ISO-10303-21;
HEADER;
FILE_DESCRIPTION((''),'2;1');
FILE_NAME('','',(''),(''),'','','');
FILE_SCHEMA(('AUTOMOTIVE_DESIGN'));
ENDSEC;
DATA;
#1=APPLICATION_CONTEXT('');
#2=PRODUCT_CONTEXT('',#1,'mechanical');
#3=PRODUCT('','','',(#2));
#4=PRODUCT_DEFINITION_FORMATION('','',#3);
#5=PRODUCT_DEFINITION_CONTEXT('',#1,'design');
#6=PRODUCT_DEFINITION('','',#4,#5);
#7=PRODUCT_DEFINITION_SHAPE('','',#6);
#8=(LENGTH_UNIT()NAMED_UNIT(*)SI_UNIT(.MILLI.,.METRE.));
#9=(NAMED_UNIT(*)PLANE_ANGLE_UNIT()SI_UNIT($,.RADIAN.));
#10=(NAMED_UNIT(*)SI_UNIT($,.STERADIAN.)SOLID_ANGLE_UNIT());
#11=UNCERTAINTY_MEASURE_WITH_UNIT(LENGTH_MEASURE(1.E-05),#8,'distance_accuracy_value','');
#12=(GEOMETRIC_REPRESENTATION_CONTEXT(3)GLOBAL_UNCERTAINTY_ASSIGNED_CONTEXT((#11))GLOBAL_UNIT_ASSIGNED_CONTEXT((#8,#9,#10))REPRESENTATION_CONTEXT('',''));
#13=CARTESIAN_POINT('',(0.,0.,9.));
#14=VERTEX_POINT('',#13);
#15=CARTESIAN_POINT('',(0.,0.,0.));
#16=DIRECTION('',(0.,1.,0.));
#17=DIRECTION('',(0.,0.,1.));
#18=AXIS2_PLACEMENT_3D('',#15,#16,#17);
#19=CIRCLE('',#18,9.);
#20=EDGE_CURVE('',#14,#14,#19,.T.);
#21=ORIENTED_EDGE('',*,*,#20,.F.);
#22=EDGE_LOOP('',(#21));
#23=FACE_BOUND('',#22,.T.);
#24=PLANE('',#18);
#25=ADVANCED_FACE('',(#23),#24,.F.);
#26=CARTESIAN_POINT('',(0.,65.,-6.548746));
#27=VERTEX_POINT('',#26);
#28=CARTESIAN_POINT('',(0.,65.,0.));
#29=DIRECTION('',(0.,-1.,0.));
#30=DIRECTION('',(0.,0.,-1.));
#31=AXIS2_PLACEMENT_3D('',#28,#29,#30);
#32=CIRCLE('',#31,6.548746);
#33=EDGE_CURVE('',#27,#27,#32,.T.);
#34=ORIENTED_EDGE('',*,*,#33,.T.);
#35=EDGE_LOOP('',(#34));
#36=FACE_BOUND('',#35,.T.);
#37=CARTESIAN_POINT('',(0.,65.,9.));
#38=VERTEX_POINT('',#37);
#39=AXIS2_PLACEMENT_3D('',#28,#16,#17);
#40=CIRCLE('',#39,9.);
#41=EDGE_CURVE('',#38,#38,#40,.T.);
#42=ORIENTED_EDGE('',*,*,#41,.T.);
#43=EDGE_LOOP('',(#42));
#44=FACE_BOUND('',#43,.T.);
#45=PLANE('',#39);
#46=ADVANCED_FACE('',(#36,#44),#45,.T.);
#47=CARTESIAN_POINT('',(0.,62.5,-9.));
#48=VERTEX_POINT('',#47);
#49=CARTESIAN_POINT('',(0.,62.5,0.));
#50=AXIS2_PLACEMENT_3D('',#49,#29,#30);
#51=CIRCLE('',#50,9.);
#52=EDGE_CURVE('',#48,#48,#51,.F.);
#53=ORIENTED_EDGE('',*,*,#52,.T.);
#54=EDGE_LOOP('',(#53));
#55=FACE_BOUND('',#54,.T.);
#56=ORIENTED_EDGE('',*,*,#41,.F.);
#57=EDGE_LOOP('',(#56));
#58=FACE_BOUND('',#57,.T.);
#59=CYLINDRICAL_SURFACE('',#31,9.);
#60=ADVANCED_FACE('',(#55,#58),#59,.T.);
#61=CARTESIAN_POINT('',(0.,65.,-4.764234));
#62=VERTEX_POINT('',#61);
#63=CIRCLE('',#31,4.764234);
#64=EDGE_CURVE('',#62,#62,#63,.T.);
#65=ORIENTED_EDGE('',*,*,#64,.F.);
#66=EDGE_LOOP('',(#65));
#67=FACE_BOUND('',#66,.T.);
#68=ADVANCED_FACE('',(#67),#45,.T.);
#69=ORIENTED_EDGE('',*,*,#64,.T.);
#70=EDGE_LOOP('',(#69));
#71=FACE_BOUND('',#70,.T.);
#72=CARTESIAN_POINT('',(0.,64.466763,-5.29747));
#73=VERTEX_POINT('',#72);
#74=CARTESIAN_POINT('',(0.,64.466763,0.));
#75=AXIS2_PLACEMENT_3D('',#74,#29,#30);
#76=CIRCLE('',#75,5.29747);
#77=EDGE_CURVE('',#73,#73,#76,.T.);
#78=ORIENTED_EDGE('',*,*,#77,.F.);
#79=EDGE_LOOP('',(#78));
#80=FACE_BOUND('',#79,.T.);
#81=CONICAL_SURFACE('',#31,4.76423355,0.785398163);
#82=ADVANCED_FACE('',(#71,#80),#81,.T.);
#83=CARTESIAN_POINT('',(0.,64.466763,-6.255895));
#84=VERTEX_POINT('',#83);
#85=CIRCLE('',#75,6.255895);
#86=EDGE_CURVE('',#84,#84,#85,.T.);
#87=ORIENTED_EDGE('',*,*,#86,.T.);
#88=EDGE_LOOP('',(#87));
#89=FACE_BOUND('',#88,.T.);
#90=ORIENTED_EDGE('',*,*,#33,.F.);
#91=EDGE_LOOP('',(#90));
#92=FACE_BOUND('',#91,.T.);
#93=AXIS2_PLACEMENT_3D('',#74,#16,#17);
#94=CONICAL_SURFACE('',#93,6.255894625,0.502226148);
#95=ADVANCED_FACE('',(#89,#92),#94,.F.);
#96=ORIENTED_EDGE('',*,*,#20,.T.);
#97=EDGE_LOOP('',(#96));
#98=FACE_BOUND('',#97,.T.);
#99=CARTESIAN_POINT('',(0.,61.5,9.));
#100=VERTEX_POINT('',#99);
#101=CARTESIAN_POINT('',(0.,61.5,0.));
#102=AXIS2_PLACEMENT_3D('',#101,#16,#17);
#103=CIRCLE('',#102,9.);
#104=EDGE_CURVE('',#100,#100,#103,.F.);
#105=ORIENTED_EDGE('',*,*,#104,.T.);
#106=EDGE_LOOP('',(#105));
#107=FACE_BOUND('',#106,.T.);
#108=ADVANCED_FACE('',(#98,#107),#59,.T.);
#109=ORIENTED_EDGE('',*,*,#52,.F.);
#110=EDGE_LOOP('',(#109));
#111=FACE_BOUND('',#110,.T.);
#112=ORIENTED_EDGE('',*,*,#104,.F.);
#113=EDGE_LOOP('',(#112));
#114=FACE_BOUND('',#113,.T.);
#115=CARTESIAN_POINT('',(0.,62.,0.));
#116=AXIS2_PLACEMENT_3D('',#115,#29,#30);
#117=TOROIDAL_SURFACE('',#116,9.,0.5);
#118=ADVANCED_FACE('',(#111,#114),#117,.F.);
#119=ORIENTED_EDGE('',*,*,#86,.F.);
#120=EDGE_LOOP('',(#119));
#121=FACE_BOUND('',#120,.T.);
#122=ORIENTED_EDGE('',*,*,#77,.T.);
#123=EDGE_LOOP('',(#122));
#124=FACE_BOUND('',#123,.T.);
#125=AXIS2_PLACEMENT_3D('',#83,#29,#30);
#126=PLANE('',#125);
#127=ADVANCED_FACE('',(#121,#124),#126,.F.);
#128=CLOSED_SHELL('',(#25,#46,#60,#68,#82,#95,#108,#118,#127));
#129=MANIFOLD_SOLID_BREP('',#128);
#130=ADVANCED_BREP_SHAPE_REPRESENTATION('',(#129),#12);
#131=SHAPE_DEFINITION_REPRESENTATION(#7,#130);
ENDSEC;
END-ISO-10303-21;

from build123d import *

# Parameters (mm, degrees)
SKETCH1_R           = 9
BOSS_EXTRUDE1_DEPTH = 65
SKETCH2_R           = 0.5


with BuildPart() as part:
    # Sketch1 → Boss-Extrude1 (new body)
    with BuildSketch(Plane(origin=(0, 0, 0), x_dir=(1, 0, 0), z_dir=(0, 1, 0))):
        with Locations(Location((0, 0, 0), (0, 0, 270))):
            Circle(SKETCH1_R)
    extrude(amount=BOSS_EXTRUDE1_DEPTH)

    # Sketch2 → Cut-Revolve1 (revolve, cut)
    with BuildSketch(Plane(origin=(0, 0, 0), x_dir=(0, 0, -1), z_dir=(1, 0, 0))):
        with Locations((9, 62)):
            Circle(SKETCH2_R)
        Polygon((6.548746469, 65), (6.255894625, 64.46676314), (5.297470411, 64.46676314), (4.76423355, 65), align=None)
    revolve(axis=Axis((0, 0, 0), (0, 1, 0)), mode=Mode.SUBTRACT)


solid = part.part
